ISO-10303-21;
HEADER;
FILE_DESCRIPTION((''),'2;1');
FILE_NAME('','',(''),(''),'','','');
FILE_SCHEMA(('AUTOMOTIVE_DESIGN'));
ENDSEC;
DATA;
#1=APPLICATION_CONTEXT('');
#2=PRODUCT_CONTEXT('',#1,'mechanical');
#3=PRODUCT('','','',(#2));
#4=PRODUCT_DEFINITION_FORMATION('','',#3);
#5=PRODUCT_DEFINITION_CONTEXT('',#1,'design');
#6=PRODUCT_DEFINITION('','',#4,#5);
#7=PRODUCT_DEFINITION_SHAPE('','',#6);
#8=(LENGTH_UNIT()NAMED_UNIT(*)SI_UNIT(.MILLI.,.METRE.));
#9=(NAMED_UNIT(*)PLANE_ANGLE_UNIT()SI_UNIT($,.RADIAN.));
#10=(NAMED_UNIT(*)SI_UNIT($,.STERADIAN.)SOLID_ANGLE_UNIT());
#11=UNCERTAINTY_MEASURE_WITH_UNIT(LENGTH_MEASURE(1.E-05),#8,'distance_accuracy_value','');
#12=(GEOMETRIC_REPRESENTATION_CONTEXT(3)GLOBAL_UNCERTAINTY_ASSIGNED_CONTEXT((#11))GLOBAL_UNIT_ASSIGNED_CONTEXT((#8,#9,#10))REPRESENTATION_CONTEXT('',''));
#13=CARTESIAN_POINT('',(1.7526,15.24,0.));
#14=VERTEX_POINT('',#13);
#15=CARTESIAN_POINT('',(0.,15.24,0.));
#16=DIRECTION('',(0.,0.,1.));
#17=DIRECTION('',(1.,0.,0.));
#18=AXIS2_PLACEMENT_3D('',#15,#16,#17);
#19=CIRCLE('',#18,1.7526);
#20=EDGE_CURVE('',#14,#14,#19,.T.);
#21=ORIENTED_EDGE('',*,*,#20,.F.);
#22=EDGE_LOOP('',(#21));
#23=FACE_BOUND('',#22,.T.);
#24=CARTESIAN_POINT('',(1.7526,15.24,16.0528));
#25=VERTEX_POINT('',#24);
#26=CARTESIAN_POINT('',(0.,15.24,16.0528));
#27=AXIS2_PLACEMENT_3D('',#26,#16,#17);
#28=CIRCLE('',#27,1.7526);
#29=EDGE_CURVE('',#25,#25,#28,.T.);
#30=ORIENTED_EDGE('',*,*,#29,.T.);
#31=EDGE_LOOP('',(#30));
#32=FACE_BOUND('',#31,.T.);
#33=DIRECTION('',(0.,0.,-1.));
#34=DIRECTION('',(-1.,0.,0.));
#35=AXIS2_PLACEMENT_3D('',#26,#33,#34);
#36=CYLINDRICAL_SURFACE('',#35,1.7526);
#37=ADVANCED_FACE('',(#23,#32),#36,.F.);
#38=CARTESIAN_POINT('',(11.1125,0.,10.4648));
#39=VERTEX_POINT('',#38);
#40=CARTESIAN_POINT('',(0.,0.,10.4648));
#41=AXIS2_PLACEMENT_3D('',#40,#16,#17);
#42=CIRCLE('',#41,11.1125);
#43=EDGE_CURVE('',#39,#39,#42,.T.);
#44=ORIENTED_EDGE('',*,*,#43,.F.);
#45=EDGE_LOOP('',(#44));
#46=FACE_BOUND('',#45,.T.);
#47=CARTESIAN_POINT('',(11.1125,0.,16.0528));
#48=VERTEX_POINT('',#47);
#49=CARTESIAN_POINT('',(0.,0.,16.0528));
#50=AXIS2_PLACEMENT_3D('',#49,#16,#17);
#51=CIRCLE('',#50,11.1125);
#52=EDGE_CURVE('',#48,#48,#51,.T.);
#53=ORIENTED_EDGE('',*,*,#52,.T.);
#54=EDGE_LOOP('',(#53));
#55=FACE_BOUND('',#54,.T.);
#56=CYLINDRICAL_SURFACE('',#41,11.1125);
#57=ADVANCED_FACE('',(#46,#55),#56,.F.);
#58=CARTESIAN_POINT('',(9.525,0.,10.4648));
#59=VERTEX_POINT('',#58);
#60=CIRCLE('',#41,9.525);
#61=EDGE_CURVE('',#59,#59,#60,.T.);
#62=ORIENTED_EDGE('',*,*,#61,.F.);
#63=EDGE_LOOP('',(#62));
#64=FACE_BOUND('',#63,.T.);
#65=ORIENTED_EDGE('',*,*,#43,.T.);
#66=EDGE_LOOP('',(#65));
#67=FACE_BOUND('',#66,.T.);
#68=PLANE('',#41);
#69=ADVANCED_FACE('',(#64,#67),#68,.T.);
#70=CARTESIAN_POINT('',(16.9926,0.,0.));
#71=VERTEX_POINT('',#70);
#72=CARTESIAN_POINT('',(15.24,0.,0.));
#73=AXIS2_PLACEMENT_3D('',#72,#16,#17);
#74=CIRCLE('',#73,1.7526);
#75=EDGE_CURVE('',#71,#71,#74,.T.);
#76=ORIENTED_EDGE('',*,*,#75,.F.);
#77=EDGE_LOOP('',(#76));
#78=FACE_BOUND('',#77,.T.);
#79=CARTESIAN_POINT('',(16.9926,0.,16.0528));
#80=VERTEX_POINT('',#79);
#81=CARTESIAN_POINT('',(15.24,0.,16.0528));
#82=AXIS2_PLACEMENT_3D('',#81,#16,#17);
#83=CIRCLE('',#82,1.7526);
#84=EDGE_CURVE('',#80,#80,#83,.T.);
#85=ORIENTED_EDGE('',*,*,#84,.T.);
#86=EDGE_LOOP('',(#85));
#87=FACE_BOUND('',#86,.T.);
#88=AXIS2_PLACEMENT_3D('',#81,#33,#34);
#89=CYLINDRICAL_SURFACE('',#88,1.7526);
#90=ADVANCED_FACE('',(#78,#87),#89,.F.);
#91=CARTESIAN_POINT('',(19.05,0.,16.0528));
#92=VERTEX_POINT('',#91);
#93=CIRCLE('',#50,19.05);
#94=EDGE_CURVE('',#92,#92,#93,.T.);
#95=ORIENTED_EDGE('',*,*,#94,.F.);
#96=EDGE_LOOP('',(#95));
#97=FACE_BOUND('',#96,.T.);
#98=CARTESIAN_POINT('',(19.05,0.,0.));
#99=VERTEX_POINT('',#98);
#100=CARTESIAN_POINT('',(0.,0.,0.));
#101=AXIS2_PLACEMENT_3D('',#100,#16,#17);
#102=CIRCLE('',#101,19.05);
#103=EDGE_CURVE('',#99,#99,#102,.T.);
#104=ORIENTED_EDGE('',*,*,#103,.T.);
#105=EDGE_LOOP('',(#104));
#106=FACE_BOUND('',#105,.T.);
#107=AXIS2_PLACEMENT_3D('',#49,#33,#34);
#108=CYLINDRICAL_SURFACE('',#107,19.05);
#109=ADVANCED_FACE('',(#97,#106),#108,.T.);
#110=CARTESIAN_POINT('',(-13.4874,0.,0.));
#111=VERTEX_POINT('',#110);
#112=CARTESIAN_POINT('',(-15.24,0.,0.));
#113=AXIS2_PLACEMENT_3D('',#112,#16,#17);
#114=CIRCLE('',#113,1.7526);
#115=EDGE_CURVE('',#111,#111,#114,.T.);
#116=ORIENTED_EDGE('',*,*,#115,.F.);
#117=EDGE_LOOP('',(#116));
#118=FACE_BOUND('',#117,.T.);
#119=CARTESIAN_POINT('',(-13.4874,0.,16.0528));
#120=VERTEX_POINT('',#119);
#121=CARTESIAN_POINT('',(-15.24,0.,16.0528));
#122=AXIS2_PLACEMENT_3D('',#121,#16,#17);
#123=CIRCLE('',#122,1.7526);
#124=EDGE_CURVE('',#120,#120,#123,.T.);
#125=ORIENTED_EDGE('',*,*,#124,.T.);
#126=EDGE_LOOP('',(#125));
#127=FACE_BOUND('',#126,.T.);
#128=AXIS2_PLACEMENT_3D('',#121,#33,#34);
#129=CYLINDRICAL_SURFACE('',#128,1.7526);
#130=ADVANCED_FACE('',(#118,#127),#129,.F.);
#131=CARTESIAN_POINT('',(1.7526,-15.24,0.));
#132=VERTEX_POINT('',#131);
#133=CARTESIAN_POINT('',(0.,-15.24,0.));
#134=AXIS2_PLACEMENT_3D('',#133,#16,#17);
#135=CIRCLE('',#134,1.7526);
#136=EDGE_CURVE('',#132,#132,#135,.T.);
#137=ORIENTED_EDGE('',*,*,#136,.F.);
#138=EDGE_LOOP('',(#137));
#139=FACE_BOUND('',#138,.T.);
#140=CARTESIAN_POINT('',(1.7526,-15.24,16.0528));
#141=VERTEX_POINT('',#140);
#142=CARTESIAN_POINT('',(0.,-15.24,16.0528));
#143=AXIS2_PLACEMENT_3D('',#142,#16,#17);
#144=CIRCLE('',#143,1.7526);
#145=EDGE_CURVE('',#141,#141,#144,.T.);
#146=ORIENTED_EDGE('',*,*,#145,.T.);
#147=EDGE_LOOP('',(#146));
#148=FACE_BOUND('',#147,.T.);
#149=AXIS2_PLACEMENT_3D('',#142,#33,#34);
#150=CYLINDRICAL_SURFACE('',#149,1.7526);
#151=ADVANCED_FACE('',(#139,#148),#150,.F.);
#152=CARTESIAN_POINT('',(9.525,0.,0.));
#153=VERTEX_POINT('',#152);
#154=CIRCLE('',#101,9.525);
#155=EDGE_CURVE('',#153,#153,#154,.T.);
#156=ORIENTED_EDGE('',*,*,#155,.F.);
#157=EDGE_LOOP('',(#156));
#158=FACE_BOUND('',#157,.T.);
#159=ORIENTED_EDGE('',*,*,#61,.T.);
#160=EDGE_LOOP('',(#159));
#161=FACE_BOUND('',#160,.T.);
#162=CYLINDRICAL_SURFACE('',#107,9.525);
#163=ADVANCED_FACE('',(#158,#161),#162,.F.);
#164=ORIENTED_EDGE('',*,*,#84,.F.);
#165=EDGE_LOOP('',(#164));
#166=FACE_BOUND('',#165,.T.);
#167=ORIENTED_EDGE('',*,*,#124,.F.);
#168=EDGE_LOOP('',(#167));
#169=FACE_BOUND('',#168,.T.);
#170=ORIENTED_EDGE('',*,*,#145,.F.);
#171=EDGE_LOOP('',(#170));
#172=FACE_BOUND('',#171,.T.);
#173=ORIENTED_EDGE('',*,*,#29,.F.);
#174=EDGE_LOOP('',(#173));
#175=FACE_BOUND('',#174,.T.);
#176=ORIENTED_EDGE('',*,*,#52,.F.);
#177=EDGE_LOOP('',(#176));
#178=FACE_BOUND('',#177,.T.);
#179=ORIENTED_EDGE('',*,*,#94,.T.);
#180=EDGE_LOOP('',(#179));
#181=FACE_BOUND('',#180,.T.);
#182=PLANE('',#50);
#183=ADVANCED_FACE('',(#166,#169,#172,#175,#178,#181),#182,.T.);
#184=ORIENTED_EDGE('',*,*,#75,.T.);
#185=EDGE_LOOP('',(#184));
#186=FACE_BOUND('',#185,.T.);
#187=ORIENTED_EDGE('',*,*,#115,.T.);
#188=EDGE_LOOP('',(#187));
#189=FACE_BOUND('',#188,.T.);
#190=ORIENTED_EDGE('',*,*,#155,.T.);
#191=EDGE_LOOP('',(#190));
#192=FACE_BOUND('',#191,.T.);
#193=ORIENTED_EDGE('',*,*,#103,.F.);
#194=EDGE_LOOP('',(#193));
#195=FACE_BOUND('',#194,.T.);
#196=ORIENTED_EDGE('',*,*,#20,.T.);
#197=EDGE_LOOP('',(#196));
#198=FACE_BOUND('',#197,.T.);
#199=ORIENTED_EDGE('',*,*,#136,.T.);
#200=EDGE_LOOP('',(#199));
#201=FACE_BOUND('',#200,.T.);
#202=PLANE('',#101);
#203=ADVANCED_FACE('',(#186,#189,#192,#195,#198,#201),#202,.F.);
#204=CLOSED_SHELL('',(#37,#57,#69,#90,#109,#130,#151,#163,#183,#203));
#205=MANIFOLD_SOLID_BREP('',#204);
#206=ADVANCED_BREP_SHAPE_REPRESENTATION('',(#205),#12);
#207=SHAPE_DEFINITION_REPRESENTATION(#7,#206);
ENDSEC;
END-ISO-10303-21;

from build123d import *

# Parameters (mm, degrees)
SKETCH1_R           = 19.05
SKETCH1_R_2         = 9.525
SKETCH1_R_3         = 1.7526
BOSS_EXTRUDE1_DEPTH = 16.0528
SKETCH2_R           = 11.1125
CUT_EXTRUDE2_DEPTH  = 5.588


with BuildPart() as part:
    # Sketch1 → Boss-Extrude1 (new body)
    with BuildSketch(Plane.XY):
        Circle(SKETCH1_R)
        Circle(SKETCH1_R_2, mode=Mode.SUBTRACT)
        with Locations((0, 15.24)):
            Circle(SKETCH1_R_3, mode=Mode.SUBTRACT)
        with Locations((15.24, 0)):
            Circle(SKETCH1_R_3, mode=Mode.SUBTRACT)
        with Locations((0, -15.24)):
            Circle(SKETCH1_R_3, mode=Mode.SUBTRACT)
        with Locations((-15.24, 0)):
            Circle(SKETCH1_R_3, mode=Mode.SUBTRACT)
    extrude(amount=BOSS_EXTRUDE1_DEPTH)

    # Sketch2 → Cut-Extrude2 (cut)
    with BuildSketch(Plane.XY.offset(16.0528)):
        Circle(SKETCH2_R)
    extrude(amount=-CUT_EXTRUDE2_DEPTH, mode=Mode.SUBTRACT)


solid = part.part
